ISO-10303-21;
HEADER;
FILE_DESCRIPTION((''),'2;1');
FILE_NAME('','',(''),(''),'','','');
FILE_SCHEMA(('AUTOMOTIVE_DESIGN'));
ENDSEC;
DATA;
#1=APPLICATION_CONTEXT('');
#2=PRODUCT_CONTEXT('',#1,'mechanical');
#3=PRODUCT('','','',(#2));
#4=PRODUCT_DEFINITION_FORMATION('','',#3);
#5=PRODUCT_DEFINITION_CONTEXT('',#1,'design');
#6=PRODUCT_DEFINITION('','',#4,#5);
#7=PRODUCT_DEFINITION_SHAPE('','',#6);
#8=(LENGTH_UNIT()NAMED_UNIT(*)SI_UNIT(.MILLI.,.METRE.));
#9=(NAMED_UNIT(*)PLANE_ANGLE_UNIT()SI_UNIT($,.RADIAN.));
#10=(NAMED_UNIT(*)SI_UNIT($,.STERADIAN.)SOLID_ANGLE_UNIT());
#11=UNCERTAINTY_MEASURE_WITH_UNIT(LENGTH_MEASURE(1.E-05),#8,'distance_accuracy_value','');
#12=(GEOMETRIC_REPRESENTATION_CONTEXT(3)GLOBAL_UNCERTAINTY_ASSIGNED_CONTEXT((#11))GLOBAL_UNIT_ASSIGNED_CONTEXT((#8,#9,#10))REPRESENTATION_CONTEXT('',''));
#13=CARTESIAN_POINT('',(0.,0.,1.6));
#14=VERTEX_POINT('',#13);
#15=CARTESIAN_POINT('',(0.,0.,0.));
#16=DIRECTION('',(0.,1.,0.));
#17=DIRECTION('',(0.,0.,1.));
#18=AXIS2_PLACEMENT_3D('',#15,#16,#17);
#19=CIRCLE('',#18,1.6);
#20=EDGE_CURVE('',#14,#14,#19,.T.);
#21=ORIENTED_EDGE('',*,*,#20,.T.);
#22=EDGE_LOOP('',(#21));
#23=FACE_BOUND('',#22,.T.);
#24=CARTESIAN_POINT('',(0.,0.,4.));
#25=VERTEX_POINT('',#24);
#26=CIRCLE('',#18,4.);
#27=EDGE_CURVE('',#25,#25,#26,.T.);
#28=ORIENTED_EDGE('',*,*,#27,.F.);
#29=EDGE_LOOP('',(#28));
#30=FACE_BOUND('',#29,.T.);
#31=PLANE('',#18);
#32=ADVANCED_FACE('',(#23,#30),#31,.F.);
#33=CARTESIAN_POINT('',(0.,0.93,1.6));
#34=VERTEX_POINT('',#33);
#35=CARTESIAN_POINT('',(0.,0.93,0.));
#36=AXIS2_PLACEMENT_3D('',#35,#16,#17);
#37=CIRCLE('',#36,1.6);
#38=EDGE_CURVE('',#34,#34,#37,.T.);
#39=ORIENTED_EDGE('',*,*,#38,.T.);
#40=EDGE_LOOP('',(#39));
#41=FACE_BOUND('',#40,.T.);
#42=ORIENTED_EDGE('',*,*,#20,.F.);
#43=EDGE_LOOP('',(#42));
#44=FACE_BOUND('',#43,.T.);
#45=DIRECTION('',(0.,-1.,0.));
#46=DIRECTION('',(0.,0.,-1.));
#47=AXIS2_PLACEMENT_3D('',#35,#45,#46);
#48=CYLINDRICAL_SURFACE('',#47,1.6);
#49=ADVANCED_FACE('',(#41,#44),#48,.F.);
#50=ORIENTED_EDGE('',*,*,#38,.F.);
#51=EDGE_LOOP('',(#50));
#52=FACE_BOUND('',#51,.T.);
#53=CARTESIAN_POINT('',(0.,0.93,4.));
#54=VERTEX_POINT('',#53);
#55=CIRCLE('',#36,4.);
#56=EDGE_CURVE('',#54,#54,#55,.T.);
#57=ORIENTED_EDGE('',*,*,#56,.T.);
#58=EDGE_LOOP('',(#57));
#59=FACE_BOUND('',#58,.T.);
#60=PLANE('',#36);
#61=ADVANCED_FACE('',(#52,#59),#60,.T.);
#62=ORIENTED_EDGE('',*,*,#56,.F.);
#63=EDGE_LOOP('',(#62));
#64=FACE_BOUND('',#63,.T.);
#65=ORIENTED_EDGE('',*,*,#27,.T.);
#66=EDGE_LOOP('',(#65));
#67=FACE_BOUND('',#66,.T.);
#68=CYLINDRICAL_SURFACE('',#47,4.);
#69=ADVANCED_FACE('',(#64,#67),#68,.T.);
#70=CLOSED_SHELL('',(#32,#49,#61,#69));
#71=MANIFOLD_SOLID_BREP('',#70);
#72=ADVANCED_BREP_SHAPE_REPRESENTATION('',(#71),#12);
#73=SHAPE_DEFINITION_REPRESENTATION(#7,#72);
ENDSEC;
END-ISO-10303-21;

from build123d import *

# Parameters (mm, degrees)
SKETCH1_R           = 4
SKETCH1_R_2         = 1.6
BOSS_EXTRUDE1_DEPTH = 0.93


with BuildPart() as part:
    # Sketch1 → Boss-Extrude1 (new body)
    with BuildSketch(Plane(origin=(0, 0, 0), x_dir=(1, 0, 0), z_dir=(0, 1, 0))):
        with Locations(Location((0, 0, 0), (0, 0, 270))):  # turned: the seam where the file's is
            Circle(SKETCH1_R)
        with Locations(Location((0, 0, 0), (0, 0, 270))):  # turned: the seam where the file's is
            Circle(SKETCH1_R_2, mode=Mode.SUBTRACT)
    extrude(amount=BOSS_EXTRUDE1_DEPTH)


solid = part.part
